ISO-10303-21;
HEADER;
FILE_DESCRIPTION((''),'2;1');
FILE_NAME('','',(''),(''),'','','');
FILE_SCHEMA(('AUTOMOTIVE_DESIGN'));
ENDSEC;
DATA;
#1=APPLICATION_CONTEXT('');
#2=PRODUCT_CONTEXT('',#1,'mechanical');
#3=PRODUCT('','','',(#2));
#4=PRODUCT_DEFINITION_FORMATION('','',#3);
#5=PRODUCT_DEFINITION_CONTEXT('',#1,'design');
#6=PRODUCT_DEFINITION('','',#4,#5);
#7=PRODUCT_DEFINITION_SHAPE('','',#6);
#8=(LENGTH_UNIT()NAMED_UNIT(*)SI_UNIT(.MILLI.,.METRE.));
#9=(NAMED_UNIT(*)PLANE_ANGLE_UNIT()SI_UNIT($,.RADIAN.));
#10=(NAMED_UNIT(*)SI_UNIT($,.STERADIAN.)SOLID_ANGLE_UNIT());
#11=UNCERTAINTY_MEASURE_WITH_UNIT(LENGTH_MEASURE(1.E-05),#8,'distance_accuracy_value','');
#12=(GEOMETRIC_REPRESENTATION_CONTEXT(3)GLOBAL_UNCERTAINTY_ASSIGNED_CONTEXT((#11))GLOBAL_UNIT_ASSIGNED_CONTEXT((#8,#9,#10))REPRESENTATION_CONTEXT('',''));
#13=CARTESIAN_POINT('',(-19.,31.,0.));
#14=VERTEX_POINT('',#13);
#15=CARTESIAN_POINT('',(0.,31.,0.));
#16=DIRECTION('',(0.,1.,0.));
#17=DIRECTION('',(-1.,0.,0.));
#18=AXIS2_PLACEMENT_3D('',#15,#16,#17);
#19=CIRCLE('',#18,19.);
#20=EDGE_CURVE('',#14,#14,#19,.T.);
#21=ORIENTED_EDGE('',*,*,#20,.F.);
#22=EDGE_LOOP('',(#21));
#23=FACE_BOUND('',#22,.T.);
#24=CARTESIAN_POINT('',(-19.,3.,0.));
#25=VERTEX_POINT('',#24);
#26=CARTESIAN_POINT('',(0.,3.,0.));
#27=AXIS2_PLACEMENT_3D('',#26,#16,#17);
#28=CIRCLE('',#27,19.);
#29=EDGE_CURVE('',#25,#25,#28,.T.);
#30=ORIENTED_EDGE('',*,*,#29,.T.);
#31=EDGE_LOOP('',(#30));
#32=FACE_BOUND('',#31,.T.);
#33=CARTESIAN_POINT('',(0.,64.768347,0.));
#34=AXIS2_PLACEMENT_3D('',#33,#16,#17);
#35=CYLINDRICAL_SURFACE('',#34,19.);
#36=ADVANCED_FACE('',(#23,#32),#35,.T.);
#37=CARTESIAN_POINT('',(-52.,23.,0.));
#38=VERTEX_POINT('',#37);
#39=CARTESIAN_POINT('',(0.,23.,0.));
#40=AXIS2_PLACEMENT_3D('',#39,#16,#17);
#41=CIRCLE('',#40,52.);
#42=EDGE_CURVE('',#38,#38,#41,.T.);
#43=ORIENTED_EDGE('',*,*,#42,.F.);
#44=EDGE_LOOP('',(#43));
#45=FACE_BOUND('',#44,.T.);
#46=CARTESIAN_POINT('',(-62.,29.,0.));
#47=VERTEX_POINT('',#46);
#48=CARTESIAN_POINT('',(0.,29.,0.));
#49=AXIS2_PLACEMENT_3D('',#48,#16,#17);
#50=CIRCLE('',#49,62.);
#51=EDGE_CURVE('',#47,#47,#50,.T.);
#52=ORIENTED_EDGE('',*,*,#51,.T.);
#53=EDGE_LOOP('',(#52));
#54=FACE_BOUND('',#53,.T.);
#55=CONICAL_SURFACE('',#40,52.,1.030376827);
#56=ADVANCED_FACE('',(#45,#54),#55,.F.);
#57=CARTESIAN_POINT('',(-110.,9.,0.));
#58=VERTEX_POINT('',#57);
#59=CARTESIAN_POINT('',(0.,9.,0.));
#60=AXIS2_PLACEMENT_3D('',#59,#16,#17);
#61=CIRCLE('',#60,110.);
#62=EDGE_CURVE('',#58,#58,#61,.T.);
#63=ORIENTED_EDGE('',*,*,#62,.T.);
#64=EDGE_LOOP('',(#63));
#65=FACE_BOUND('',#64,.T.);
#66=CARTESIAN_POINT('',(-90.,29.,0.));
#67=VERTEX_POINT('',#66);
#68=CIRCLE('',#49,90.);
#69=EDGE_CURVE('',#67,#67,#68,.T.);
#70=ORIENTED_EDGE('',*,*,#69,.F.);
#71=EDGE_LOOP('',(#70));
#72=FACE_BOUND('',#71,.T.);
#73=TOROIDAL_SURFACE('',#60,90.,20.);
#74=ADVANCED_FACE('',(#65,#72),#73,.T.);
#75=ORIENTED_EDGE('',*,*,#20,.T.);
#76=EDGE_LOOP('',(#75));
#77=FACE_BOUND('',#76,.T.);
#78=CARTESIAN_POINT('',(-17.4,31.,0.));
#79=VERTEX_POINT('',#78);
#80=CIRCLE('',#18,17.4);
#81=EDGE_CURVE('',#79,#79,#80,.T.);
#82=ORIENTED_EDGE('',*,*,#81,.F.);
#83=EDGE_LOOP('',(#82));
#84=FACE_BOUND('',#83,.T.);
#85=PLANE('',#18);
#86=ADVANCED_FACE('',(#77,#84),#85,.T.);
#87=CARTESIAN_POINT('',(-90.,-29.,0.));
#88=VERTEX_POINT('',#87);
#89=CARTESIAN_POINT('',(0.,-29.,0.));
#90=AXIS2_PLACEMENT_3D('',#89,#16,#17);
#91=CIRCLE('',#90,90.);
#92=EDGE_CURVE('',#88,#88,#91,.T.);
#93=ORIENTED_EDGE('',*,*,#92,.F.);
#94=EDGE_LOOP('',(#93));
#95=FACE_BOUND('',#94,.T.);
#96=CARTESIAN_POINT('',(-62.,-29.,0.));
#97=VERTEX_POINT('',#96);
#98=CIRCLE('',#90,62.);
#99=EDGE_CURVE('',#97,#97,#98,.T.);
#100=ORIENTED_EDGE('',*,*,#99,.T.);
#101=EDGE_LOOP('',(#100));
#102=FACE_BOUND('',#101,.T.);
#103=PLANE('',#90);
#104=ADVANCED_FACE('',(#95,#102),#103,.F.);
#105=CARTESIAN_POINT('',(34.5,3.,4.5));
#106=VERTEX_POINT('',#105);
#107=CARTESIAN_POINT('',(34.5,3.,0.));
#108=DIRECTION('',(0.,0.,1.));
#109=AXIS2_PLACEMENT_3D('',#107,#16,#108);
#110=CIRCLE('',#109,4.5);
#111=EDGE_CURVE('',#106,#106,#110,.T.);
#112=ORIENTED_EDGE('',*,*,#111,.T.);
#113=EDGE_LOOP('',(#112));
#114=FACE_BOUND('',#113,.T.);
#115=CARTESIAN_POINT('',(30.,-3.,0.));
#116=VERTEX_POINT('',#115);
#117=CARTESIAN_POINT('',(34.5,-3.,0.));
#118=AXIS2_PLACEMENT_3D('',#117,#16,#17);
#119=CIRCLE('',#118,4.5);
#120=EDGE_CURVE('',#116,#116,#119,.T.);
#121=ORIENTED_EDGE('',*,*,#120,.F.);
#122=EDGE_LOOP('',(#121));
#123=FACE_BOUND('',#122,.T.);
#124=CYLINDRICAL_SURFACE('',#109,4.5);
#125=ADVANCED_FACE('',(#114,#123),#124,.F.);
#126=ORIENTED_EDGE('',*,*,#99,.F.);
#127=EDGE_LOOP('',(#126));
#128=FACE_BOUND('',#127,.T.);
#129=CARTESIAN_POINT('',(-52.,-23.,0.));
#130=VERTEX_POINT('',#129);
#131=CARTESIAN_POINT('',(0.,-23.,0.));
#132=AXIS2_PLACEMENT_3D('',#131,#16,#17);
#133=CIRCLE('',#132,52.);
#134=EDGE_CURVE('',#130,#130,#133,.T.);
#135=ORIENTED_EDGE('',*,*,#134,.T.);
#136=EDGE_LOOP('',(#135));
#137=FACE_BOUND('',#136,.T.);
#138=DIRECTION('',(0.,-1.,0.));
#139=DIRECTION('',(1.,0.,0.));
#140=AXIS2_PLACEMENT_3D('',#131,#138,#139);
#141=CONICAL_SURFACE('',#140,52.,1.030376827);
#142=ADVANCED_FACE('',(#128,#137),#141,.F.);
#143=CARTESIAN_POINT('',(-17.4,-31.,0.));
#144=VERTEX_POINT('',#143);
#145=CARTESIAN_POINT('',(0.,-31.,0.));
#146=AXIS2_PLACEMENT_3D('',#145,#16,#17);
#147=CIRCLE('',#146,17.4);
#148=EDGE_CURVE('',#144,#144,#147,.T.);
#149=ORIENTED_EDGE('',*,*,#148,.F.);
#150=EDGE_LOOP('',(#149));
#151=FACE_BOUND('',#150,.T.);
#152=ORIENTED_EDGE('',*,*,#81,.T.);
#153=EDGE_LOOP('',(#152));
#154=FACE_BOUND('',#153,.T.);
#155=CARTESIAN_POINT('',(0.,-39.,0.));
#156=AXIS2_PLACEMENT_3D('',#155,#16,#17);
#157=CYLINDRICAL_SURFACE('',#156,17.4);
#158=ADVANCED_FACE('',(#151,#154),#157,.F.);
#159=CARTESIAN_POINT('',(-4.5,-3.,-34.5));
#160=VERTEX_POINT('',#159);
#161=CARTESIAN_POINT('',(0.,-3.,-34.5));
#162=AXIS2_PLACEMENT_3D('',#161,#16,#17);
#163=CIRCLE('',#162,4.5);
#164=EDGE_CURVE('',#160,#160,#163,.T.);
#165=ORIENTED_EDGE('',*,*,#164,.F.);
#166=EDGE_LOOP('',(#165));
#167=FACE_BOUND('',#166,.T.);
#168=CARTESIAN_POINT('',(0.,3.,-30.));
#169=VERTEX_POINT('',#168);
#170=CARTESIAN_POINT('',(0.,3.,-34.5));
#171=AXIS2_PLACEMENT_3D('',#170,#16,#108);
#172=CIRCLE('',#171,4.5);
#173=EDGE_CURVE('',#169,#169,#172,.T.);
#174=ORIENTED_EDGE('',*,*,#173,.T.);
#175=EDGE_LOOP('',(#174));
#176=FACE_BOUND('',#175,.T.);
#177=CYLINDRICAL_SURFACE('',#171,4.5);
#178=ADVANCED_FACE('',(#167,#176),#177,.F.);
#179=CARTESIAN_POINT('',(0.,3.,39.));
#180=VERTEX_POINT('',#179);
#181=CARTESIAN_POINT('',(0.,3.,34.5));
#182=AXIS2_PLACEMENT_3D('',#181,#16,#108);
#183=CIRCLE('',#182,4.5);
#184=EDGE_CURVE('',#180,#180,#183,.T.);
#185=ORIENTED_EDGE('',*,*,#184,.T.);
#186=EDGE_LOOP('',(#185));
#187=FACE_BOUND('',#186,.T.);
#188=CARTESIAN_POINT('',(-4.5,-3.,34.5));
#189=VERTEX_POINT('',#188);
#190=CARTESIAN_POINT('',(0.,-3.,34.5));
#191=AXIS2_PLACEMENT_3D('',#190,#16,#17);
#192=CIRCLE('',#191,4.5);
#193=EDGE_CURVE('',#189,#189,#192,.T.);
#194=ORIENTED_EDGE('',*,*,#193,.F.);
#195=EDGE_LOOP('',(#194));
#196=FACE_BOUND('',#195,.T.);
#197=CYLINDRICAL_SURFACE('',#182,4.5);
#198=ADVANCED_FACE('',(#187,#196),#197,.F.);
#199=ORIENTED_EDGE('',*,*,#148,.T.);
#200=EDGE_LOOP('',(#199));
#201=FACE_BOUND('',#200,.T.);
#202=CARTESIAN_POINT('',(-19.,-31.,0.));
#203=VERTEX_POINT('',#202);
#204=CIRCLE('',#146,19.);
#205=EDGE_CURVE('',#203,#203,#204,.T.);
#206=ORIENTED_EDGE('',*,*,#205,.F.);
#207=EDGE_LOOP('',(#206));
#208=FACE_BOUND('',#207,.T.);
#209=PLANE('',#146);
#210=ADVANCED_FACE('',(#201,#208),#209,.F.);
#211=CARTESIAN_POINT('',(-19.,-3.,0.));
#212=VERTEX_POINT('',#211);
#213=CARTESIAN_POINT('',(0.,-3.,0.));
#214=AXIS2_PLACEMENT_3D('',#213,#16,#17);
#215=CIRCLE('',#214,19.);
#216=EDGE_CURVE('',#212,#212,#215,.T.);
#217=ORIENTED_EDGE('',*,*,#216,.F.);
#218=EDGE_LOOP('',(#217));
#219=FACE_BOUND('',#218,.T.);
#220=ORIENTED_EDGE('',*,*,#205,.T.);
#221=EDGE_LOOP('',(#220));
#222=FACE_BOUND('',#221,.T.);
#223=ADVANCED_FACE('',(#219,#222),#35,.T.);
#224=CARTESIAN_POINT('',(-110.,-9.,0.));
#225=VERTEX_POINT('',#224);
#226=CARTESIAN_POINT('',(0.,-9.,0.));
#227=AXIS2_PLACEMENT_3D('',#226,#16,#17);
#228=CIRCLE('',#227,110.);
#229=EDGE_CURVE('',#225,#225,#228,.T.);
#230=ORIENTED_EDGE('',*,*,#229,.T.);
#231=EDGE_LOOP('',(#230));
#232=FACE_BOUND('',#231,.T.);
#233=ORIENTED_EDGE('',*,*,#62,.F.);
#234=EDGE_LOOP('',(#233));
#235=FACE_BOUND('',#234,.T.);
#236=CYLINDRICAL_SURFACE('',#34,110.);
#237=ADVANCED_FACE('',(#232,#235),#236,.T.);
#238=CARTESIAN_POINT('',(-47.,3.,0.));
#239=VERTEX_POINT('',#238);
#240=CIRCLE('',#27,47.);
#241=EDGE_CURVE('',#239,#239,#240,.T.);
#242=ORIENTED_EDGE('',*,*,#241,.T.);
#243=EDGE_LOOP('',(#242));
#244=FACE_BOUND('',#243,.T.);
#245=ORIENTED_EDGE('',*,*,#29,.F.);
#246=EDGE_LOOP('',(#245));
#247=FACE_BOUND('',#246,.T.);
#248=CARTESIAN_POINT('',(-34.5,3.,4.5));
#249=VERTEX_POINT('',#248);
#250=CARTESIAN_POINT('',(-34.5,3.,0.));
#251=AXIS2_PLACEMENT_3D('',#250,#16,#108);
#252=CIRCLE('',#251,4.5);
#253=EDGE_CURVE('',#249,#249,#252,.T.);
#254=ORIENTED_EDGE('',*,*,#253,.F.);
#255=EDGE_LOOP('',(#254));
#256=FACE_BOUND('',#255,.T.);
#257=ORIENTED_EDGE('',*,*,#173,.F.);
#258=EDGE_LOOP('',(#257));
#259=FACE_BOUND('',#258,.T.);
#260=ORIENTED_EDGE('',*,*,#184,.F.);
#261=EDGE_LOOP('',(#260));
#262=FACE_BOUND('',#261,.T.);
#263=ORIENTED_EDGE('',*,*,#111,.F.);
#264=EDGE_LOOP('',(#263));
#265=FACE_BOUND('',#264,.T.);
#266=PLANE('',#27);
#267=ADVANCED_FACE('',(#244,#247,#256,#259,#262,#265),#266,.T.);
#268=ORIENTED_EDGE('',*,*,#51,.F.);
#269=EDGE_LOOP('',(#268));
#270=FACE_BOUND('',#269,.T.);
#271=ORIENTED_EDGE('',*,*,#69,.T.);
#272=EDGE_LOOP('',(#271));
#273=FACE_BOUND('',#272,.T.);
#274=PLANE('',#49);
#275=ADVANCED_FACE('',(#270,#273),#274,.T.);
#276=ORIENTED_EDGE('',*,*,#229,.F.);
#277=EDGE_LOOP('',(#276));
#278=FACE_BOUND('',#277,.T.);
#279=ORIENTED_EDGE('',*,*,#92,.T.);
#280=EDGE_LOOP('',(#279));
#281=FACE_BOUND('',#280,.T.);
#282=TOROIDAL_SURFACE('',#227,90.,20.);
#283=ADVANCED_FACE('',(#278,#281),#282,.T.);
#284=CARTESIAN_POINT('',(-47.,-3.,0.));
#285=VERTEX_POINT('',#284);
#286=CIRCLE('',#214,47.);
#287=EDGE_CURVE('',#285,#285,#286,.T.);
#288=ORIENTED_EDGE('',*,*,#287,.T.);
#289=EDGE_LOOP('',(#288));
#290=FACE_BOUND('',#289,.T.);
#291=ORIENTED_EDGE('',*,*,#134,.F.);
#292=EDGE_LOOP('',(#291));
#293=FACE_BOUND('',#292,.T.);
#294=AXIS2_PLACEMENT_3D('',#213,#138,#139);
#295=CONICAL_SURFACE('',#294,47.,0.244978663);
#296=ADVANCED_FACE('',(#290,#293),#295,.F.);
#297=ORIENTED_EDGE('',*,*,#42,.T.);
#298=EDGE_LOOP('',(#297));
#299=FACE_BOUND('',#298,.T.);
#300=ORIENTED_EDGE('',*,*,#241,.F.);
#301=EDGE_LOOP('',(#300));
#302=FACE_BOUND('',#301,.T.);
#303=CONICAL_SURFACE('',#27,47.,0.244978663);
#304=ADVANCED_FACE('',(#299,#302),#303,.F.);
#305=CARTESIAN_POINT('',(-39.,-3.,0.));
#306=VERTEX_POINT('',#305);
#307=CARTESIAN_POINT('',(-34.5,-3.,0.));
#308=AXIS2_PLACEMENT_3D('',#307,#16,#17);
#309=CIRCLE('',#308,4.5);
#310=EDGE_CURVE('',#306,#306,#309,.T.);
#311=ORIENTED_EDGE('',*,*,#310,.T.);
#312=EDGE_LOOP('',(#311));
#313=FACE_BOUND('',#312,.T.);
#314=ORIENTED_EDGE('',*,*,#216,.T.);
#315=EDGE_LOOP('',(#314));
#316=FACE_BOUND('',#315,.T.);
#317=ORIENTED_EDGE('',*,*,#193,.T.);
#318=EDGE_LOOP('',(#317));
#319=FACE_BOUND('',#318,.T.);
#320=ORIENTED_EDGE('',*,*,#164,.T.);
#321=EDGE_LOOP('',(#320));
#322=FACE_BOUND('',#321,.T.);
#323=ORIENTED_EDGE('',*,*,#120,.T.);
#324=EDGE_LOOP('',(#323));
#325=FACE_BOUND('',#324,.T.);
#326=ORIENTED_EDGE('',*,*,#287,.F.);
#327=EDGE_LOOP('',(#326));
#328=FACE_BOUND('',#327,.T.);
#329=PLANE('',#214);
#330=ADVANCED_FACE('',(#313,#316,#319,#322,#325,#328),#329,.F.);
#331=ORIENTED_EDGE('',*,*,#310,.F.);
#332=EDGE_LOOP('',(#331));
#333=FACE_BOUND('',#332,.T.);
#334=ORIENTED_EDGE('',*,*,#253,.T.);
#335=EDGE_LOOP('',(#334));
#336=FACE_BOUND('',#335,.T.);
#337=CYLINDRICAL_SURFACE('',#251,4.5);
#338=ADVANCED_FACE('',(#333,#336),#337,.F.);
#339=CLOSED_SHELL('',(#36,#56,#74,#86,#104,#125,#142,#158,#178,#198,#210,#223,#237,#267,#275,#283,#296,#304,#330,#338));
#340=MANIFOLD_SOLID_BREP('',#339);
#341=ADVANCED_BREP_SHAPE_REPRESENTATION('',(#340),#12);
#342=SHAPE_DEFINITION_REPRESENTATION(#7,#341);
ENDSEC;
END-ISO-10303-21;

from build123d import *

# Parameters (mm, degrees)
TALADRO_DE_MARGEN_PARA_M101_D = 11
TALADRO_DE_MARGEN_PARA_M81_D  = 9
MATRIZC1_COUNT                = 4
CROQUIS8_R                    = 17.4
CORTAR_EXTRUIR2_DEPTH         = 70


with BuildPart() as part:
    # Croquis2 → Revolución1 (revolve)
    with BuildSketch(Plane.XY):
        with BuildLine():
            Line((19, 31), (0, 31))
            Line((0, 31), (0, 0))
            Line((0, 0), (110, 0))
            Line((110, 0), (110, 9))
            ThreePointArc((110, 9), (104.142135624, 23.142135624), (90, 29))
            Line((90, 29), (62, 29))
            Line((62, 29), (52, 23))
            Line((52, 23), (47, 3))
            Line((47, 3), (19, 3))
            Line((19, 3), (19, 31))
        make_face()
        with BuildLine():
            Line((110, 0), (0, 0))
            Line((0, 0), (0, -31))
            Line((0, -31), (19, -31))
            Line((19, -31), (19, -3))
            Line((19, -3), (47, -3))
            Line((47, -3), (52, -23))
            Line((52, -23), (62, -29))
            Line((62, -29), (90, -29))
            ThreePointArc((90, -29), (104.142135624, -23.142135624), (110, -9))
            Line((110, -9), (110, 0))
        make_face()
    revolve(axis=Axis((0, 64.768346902, 0), (0, -1, 0)))

    # Taladro de margen para M101 (through all)
    with Locations(Plane(origin=(0, 31, 0), x_dir=(1, 0, 0), z_dir=(0, 1, 0))):
        with Locations((0, 0)):
            Hole(TALADRO_DE_MARGEN_PARA_M101_D / 2)

    # Taladro de margen para M81 (through all)
    with Locations(Plane(origin=(0, 3, 0), x_dir=(1, 0, 0), z_dir=(0, 1, 0))):
        with Locations((0, 34.5)):
            taladro_de_margen_para_m81 = Hole(TALADRO_DE_MARGEN_PARA_M81_D / 2)

    # MatrizC1: Taladro de margen para M81 ×4 about axis
    matrizc1_axis = Axis((0, 0, 0), (0, 1, 0))
    for i in range(1, MATRIZC1_COUNT):
        add(taladro_de_margen_para_m81.rotate(matrizc1_axis, i * 360 / MATRIZC1_COUNT), mode=Mode.SUBTRACT)

    # Croquis8 → Cortar-Extruir2 (cut)
    with BuildSketch(Plane(origin=(0, 31, 0), x_dir=(1, 0, 0), z_dir=(0, 1, 0))):
        Circle(CROQUIS8_R)
    extrude(amount=-CORTAR_EXTRUIR2_DEPTH, mode=Mode.SUBTRACT)


solid = part.part
